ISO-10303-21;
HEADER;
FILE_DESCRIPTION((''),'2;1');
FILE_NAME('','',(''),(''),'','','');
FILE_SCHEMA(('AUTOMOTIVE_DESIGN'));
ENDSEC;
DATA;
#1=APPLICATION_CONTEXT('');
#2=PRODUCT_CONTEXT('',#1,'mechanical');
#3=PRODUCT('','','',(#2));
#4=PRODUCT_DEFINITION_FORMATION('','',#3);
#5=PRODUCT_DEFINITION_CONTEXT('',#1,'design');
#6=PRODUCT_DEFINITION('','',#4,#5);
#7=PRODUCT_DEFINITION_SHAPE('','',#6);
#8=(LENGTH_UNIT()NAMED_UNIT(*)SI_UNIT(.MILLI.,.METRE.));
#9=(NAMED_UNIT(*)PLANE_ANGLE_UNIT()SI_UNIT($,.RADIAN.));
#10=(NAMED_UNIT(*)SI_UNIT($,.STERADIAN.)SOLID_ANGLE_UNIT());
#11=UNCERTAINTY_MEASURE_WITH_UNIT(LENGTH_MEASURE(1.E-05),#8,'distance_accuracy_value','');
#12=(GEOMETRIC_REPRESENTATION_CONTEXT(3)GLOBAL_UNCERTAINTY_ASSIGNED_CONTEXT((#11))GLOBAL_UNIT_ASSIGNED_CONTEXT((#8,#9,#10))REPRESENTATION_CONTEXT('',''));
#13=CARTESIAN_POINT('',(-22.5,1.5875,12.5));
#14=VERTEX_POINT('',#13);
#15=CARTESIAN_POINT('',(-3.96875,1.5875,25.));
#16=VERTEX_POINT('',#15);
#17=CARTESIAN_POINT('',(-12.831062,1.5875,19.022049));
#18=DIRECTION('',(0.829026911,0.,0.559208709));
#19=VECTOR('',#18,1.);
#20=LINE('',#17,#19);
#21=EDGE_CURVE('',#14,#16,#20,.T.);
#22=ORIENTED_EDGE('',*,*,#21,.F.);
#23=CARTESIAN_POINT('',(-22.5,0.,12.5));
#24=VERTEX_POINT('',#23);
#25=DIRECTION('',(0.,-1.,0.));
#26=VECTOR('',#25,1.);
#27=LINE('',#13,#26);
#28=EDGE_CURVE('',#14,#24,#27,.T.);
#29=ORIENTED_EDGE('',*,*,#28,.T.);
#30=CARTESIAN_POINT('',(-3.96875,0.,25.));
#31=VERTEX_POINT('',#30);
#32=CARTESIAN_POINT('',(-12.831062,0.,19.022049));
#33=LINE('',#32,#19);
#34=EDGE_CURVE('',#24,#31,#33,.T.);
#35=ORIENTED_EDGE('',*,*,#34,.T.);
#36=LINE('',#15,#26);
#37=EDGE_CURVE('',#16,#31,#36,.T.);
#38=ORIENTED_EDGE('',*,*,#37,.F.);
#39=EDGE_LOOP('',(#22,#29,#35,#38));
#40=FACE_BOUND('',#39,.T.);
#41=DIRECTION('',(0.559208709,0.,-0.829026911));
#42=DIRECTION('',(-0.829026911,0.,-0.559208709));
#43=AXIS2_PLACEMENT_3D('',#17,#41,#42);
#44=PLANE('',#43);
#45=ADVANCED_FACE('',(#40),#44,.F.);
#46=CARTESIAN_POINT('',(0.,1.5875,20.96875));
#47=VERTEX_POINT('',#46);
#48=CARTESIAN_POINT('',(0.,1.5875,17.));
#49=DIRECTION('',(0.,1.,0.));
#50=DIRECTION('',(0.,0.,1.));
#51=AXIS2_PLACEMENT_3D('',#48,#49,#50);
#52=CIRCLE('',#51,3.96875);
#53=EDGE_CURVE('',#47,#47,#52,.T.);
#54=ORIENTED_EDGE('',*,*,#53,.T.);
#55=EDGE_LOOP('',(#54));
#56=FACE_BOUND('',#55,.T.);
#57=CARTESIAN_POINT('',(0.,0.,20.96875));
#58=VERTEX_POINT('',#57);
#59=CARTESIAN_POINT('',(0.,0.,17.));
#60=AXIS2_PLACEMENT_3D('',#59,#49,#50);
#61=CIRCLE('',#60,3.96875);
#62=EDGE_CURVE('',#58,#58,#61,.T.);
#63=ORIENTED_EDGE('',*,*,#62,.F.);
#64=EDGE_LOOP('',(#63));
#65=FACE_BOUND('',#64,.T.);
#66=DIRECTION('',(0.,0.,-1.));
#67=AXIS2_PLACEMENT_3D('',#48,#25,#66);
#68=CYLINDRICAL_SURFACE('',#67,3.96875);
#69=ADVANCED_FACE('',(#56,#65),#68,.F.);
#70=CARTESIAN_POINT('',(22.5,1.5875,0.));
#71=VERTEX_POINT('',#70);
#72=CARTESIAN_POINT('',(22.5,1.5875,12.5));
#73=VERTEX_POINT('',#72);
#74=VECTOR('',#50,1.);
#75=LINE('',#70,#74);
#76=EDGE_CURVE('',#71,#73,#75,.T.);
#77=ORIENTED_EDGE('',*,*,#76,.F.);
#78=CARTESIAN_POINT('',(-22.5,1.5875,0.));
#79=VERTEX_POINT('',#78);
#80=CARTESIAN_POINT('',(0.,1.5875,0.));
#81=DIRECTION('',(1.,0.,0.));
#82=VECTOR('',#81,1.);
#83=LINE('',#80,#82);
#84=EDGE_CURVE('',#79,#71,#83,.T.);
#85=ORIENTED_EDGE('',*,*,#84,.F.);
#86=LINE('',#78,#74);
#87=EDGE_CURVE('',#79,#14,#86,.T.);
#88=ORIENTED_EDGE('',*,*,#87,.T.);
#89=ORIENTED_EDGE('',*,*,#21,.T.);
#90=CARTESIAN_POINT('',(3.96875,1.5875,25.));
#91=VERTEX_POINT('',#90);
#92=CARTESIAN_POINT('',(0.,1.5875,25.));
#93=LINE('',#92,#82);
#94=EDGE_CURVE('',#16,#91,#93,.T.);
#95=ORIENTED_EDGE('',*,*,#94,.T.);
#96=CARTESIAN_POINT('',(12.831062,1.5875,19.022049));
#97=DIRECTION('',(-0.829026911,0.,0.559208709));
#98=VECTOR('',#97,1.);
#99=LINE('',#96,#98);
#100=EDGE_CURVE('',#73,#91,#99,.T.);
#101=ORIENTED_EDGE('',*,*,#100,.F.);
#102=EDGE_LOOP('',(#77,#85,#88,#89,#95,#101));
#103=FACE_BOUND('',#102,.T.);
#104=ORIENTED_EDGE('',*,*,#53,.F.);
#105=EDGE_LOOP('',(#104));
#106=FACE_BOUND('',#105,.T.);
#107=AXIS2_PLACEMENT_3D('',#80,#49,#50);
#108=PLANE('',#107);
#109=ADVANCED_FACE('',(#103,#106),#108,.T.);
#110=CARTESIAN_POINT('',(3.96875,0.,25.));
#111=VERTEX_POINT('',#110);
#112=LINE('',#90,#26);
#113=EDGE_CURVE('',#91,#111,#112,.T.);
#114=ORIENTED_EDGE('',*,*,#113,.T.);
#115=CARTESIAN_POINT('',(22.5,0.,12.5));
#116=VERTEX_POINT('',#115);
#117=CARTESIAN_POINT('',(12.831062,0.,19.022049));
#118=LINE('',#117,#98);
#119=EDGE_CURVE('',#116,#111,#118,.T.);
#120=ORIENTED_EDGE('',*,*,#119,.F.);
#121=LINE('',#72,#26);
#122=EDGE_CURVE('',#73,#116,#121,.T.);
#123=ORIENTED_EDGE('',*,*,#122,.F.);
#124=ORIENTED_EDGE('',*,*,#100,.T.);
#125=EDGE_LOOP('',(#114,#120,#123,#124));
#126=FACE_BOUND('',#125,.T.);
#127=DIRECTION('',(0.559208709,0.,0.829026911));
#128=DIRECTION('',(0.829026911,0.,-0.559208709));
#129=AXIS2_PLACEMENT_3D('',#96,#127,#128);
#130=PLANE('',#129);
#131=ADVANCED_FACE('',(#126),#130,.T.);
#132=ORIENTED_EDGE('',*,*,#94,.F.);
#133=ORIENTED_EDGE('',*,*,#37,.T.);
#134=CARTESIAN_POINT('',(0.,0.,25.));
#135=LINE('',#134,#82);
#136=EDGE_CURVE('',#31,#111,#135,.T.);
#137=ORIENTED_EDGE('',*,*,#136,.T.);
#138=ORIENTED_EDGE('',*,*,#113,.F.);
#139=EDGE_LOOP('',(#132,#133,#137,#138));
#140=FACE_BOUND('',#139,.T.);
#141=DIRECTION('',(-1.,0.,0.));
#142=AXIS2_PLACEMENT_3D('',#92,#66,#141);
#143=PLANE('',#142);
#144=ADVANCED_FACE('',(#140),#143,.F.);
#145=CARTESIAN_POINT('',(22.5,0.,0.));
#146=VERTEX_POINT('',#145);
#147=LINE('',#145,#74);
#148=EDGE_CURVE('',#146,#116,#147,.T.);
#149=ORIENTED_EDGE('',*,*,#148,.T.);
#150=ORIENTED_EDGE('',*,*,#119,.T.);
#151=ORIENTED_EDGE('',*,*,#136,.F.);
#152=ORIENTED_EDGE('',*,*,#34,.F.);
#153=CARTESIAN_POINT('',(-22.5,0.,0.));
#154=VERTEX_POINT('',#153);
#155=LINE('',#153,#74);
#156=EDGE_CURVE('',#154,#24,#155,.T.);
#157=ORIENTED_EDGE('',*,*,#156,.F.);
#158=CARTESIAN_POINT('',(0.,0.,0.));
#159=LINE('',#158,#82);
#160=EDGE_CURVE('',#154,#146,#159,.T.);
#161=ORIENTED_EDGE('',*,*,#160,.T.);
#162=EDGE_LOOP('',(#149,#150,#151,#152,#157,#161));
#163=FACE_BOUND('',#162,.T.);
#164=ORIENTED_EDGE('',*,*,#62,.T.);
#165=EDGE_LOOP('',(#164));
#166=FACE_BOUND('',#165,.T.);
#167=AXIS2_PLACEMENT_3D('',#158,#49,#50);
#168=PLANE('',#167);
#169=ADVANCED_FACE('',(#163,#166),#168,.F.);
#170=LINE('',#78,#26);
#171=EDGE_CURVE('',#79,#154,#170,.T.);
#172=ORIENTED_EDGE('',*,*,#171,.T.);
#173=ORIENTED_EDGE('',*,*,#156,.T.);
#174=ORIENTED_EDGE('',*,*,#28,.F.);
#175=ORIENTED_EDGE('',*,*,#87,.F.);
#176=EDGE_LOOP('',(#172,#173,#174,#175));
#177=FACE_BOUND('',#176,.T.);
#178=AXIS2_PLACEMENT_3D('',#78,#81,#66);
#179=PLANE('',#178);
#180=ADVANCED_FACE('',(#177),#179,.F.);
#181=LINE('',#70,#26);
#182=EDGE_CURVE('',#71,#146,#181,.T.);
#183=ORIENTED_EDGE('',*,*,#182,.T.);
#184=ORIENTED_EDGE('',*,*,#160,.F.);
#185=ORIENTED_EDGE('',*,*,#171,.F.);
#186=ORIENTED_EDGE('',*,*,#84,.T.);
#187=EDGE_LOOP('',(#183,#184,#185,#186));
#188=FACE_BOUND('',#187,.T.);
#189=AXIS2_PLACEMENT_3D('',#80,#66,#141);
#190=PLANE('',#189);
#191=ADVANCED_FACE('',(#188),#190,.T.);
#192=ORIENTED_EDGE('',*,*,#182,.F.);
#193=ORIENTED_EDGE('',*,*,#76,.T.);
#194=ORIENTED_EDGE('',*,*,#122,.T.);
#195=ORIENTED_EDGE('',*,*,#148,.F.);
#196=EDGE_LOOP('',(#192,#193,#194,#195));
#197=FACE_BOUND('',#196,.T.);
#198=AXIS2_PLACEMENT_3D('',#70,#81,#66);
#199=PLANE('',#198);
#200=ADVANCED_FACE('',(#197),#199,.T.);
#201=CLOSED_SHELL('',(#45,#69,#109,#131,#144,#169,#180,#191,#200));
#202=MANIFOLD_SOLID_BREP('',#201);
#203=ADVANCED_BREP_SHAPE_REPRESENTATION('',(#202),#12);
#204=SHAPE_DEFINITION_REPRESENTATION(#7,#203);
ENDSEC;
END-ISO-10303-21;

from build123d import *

# Parameters (mm, degrees)
SKETCH2_R       = 3.96875
CONNECTOR_DEPTH = 1.5875


with BuildPart() as part:
    # Sketch2 → Connector (new body)
    with BuildSketch(Plane(origin=(0, 0, 0), x_dir=(1, 0, 0), z_dir=(0, 1, 0))):
        Polygon((22.5, 0), (-22.5, 0), (-22.5, -12.5), (-3.96875, -25), (3.96875, -25), (22.5, -12.5), align=None)
        with Locations((0, -17)):
            Circle(SKETCH2_R, mode=Mode.SUBTRACT)
    extrude(amount=CONNECTOR_DEPTH)


solid = part.part
